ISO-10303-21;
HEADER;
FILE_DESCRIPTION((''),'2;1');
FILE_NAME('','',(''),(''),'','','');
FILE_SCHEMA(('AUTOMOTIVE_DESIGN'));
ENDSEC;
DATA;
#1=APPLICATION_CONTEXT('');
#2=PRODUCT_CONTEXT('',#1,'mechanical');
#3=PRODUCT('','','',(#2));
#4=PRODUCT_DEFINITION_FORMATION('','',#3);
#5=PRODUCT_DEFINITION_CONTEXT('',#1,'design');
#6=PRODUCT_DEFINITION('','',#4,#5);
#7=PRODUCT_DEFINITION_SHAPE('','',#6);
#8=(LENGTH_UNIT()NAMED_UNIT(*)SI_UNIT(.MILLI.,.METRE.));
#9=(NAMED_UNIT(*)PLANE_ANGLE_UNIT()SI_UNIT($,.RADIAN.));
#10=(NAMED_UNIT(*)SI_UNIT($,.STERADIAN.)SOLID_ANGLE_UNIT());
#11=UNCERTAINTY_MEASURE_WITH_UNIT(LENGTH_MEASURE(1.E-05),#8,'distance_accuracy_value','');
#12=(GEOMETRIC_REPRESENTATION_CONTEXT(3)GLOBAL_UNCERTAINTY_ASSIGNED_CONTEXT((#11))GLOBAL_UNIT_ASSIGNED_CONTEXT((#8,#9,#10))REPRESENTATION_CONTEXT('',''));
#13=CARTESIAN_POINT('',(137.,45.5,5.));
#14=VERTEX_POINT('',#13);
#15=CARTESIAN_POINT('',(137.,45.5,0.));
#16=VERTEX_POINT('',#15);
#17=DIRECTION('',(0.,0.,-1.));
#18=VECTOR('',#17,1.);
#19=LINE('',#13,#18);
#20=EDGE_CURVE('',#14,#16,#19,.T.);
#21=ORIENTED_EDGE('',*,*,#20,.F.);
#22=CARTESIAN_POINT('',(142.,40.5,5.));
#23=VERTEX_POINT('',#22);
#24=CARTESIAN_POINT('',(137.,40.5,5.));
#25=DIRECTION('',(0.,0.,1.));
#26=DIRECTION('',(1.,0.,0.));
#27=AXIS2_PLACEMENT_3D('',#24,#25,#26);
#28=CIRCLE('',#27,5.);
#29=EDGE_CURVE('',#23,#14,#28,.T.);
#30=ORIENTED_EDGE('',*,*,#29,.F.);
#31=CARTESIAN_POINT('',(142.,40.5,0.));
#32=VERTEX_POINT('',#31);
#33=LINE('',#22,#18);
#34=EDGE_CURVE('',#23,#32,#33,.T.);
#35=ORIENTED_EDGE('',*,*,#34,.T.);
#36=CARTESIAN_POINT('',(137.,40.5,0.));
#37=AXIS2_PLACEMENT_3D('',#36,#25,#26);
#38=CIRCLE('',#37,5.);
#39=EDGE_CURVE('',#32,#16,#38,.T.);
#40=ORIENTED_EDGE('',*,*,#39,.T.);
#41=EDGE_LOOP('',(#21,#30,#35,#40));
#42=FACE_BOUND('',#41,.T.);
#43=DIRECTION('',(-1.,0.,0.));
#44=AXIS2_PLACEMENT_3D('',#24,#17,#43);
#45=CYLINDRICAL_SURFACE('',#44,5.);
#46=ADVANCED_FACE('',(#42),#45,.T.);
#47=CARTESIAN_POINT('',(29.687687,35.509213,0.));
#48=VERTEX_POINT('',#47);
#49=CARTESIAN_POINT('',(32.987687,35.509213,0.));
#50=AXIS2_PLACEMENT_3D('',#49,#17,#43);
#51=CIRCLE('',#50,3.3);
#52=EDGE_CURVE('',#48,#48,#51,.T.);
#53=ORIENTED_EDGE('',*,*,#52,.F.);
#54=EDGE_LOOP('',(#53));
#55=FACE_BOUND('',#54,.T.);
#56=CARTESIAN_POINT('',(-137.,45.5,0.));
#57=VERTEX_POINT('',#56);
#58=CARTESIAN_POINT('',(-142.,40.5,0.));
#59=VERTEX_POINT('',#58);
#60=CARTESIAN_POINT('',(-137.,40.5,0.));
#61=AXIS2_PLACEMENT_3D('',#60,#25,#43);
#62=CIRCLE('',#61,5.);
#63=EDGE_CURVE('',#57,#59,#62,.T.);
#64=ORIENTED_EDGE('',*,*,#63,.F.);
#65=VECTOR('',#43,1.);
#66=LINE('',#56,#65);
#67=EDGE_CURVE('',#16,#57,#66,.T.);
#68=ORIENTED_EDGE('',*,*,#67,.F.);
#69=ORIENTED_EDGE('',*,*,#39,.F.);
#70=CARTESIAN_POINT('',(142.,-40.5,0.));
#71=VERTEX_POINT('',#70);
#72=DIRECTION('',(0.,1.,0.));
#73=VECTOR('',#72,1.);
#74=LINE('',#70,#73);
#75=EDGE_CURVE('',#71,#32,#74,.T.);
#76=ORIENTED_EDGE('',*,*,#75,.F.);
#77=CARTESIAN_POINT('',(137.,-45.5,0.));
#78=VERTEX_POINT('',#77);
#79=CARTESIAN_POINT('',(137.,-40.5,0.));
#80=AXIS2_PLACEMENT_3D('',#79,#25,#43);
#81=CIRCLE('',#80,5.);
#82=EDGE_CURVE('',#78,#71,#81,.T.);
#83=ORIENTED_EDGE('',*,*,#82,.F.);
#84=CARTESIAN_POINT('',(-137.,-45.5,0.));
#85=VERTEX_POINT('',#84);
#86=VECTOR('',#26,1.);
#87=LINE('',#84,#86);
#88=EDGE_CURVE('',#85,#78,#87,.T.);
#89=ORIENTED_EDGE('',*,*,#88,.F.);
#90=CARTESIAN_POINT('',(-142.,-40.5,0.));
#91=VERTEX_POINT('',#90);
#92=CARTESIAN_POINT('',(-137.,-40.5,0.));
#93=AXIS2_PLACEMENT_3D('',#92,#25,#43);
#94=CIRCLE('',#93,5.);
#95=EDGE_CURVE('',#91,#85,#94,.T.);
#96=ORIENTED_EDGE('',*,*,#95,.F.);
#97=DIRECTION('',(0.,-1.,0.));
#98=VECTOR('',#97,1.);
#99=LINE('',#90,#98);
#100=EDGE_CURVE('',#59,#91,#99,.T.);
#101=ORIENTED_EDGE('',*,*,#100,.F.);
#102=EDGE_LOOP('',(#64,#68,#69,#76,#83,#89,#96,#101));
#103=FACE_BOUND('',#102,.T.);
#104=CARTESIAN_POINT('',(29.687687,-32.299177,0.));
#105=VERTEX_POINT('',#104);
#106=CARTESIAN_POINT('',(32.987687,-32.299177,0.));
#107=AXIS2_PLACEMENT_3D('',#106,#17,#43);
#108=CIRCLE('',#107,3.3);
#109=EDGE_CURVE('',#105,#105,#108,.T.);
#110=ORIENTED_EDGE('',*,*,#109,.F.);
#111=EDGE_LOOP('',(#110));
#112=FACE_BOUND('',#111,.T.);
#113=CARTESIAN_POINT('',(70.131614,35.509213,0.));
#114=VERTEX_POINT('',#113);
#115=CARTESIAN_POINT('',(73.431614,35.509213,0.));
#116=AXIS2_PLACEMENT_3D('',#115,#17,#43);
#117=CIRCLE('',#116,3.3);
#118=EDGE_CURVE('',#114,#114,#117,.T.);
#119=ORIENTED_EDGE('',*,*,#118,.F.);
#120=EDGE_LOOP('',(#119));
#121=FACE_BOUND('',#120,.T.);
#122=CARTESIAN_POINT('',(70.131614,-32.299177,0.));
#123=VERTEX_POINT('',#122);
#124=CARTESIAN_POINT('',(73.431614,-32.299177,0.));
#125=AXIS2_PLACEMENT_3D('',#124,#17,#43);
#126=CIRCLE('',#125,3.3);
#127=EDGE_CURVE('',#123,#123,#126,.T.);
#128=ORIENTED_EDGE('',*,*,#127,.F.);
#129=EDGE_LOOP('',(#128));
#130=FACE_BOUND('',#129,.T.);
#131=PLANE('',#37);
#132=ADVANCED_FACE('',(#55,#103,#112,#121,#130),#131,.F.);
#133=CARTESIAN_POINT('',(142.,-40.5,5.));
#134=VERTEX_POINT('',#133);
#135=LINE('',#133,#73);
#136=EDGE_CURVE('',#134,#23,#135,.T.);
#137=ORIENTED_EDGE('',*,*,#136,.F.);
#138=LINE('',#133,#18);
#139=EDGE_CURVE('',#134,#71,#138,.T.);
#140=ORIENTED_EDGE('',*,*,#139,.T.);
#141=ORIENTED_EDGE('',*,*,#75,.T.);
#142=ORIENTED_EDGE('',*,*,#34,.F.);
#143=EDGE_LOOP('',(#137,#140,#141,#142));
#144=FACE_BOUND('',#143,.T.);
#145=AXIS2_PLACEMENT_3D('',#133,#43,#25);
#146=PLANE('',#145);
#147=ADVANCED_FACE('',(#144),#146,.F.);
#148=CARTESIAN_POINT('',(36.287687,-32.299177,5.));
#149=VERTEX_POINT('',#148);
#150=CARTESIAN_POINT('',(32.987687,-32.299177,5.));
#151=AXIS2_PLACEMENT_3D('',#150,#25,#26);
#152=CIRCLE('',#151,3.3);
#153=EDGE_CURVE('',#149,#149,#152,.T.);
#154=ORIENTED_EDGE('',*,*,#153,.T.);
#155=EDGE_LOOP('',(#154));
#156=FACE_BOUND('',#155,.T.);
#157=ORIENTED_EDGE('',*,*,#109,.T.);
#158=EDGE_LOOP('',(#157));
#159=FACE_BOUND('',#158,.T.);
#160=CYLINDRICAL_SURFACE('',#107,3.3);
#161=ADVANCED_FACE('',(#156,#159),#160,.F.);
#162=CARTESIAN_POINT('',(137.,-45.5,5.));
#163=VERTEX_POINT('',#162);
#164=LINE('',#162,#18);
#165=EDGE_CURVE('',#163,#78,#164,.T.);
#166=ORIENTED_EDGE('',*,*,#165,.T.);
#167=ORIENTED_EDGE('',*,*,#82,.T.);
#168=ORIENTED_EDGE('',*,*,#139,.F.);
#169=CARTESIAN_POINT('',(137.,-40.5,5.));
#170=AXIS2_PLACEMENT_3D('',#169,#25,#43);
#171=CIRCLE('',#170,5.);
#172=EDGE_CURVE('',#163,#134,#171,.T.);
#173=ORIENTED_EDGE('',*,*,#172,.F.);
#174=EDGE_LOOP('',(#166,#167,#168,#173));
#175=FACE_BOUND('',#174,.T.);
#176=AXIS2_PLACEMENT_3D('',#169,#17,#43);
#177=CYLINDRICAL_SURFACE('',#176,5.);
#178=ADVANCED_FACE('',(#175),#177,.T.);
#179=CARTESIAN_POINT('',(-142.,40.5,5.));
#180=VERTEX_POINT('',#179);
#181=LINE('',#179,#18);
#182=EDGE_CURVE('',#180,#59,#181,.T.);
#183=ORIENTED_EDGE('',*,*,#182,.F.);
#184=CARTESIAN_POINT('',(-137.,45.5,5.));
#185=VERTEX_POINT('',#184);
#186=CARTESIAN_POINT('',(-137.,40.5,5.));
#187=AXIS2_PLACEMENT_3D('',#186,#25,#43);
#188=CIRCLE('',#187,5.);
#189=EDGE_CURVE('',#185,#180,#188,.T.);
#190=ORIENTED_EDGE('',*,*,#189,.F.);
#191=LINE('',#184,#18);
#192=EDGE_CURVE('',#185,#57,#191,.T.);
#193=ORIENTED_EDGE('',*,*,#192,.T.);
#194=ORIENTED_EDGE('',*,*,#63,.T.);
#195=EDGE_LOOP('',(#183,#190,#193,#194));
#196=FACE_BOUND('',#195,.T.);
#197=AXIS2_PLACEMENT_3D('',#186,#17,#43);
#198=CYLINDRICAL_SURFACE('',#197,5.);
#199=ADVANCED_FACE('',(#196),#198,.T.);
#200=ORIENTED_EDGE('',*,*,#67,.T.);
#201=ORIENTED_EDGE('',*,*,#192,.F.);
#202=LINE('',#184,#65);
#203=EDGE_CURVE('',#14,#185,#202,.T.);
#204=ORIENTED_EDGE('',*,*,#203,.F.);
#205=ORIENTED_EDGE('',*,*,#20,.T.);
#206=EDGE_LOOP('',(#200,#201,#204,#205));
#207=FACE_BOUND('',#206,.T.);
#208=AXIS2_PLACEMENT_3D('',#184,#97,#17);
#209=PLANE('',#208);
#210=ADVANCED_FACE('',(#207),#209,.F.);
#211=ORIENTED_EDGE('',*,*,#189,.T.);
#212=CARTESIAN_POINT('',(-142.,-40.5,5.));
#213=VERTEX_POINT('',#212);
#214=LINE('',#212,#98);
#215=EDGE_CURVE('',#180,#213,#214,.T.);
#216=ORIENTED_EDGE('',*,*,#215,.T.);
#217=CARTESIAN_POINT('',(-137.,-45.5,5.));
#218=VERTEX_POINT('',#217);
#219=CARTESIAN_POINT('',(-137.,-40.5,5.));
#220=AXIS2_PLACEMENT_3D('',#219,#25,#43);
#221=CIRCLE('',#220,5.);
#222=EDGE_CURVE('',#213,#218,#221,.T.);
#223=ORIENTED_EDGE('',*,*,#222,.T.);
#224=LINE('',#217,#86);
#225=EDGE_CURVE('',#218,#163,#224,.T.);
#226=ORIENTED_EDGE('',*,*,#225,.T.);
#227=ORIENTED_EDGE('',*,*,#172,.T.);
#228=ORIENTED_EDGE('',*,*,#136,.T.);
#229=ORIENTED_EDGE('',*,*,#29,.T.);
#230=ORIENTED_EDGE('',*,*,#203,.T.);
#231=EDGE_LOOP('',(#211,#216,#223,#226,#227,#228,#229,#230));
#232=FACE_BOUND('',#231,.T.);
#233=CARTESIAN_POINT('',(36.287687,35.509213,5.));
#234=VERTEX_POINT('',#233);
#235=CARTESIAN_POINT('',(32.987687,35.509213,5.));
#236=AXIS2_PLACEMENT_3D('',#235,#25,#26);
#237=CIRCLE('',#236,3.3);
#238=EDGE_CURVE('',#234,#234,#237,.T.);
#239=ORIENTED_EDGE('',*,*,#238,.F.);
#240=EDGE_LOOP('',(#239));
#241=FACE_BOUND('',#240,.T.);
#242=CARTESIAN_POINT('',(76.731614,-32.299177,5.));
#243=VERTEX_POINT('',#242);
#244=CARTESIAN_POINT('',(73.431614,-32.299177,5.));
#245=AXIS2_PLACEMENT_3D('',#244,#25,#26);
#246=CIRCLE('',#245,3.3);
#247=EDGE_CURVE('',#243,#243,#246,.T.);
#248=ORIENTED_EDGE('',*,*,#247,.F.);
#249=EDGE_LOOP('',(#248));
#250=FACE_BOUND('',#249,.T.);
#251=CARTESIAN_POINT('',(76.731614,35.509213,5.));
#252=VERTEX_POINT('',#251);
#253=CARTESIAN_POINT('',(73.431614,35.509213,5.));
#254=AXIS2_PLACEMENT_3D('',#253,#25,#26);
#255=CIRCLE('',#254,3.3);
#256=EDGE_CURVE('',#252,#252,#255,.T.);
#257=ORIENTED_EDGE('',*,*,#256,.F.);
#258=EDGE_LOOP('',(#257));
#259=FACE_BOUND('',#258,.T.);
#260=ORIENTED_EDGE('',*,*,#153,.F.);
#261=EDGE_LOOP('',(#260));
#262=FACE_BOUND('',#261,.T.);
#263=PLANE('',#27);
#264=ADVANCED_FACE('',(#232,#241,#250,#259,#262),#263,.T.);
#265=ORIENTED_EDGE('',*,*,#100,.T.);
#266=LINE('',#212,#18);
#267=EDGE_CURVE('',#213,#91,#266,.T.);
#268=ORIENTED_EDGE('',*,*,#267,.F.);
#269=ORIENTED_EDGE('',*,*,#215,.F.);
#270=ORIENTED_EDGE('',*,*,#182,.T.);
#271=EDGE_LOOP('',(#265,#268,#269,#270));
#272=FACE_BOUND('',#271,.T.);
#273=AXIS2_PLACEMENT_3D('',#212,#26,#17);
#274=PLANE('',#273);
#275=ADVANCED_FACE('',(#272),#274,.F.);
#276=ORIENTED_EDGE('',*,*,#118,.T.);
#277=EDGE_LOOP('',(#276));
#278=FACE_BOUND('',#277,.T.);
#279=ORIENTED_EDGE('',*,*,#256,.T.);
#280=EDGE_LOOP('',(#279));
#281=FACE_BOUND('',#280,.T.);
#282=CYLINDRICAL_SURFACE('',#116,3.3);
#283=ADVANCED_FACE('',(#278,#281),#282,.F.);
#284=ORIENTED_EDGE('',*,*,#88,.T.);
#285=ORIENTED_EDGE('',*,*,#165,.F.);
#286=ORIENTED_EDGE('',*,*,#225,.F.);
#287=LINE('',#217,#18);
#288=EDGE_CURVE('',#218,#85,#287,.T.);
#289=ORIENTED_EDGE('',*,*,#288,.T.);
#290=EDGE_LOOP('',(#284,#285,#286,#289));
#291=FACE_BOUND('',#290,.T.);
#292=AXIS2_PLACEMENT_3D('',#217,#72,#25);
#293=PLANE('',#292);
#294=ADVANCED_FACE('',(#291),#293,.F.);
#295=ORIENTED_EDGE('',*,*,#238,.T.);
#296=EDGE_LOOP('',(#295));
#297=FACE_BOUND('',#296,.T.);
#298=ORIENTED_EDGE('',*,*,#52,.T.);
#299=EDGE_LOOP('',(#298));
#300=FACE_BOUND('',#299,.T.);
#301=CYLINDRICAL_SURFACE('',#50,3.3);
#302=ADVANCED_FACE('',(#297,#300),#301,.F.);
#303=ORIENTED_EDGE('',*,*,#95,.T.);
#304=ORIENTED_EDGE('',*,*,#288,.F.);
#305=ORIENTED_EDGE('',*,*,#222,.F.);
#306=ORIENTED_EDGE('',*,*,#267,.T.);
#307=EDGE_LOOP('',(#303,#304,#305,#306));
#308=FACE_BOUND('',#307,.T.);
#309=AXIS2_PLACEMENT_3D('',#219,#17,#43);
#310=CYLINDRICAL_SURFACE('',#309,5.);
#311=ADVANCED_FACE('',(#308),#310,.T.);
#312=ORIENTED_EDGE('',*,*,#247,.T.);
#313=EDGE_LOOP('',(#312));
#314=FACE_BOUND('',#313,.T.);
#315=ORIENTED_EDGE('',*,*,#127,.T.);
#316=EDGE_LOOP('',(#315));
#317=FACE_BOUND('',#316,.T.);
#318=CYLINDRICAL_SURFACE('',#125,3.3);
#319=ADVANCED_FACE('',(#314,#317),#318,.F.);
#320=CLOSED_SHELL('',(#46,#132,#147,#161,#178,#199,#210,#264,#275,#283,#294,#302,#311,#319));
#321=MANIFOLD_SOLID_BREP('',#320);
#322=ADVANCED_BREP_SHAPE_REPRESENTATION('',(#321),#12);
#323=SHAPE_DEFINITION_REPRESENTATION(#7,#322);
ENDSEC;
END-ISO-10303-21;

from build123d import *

# Parameters (mm, degrees)
BOSS_EXTRUDE1_DEPTH      = 5
M6_CLEARANCE_HOLE2_D     = 6.6
M6_CLEARANCE_HOLE2_DEPTH = 6
M6_CLEARANCE_HOLE2_TIP   = 1.982840043


with BuildPart() as part:
    # Sketch1 → Boss-Extrude1 (new body)
    with BuildSketch(Plane.XY):
        with BuildLine():
            Line((-137, -45.5), (137, -45.5))
            ThreePointArc((137, -45.5), (140.535533906, -44.035533906), (142, -40.5))
            Line((142, -40.5), (142, 40.5))
            ThreePointArc((142, 40.5), (140.535533906, 44.035533906), (137, 45.5))
            Line((137, 45.5), (-137, 45.5))
            ThreePointArc((-137, 45.5), (-140.535533906, 44.035533906), (-142, 40.5))
            Line((-142, 40.5), (-142, -40.5))
            ThreePointArc((-142, -40.5), (-140.535533906, -44.035533906), (-137, -45.5))
        make_face()
    extrude(amount=BOSS_EXTRUDE1_DEPTH)

    # M6 Clearance Hole2
    with Locations(Plane(origin=(0, 0, 0), x_dir=(-1, 0, 0), z_dir=(0, 0, -1))):
        with Locations((-73.431614003, -32.299177438), (-32.987686721, -32.299177438), (-32.987686721, 35.509212796), (-73.431614003, 35.509212796)):
            Hole(M6_CLEARANCE_HOLE2_D / 2, depth=M6_CLEARANCE_HOLE2_DEPTH)
            with Locations((0, 0, -(M6_CLEARANCE_HOLE2_DEPTH + M6_CLEARANCE_HOLE2_TIP / 2))):  # 118° drill point
                Cone(0, M6_CLEARANCE_HOLE2_D / 2, M6_CLEARANCE_HOLE2_TIP, mode=Mode.SUBTRACT)


solid = part.part
